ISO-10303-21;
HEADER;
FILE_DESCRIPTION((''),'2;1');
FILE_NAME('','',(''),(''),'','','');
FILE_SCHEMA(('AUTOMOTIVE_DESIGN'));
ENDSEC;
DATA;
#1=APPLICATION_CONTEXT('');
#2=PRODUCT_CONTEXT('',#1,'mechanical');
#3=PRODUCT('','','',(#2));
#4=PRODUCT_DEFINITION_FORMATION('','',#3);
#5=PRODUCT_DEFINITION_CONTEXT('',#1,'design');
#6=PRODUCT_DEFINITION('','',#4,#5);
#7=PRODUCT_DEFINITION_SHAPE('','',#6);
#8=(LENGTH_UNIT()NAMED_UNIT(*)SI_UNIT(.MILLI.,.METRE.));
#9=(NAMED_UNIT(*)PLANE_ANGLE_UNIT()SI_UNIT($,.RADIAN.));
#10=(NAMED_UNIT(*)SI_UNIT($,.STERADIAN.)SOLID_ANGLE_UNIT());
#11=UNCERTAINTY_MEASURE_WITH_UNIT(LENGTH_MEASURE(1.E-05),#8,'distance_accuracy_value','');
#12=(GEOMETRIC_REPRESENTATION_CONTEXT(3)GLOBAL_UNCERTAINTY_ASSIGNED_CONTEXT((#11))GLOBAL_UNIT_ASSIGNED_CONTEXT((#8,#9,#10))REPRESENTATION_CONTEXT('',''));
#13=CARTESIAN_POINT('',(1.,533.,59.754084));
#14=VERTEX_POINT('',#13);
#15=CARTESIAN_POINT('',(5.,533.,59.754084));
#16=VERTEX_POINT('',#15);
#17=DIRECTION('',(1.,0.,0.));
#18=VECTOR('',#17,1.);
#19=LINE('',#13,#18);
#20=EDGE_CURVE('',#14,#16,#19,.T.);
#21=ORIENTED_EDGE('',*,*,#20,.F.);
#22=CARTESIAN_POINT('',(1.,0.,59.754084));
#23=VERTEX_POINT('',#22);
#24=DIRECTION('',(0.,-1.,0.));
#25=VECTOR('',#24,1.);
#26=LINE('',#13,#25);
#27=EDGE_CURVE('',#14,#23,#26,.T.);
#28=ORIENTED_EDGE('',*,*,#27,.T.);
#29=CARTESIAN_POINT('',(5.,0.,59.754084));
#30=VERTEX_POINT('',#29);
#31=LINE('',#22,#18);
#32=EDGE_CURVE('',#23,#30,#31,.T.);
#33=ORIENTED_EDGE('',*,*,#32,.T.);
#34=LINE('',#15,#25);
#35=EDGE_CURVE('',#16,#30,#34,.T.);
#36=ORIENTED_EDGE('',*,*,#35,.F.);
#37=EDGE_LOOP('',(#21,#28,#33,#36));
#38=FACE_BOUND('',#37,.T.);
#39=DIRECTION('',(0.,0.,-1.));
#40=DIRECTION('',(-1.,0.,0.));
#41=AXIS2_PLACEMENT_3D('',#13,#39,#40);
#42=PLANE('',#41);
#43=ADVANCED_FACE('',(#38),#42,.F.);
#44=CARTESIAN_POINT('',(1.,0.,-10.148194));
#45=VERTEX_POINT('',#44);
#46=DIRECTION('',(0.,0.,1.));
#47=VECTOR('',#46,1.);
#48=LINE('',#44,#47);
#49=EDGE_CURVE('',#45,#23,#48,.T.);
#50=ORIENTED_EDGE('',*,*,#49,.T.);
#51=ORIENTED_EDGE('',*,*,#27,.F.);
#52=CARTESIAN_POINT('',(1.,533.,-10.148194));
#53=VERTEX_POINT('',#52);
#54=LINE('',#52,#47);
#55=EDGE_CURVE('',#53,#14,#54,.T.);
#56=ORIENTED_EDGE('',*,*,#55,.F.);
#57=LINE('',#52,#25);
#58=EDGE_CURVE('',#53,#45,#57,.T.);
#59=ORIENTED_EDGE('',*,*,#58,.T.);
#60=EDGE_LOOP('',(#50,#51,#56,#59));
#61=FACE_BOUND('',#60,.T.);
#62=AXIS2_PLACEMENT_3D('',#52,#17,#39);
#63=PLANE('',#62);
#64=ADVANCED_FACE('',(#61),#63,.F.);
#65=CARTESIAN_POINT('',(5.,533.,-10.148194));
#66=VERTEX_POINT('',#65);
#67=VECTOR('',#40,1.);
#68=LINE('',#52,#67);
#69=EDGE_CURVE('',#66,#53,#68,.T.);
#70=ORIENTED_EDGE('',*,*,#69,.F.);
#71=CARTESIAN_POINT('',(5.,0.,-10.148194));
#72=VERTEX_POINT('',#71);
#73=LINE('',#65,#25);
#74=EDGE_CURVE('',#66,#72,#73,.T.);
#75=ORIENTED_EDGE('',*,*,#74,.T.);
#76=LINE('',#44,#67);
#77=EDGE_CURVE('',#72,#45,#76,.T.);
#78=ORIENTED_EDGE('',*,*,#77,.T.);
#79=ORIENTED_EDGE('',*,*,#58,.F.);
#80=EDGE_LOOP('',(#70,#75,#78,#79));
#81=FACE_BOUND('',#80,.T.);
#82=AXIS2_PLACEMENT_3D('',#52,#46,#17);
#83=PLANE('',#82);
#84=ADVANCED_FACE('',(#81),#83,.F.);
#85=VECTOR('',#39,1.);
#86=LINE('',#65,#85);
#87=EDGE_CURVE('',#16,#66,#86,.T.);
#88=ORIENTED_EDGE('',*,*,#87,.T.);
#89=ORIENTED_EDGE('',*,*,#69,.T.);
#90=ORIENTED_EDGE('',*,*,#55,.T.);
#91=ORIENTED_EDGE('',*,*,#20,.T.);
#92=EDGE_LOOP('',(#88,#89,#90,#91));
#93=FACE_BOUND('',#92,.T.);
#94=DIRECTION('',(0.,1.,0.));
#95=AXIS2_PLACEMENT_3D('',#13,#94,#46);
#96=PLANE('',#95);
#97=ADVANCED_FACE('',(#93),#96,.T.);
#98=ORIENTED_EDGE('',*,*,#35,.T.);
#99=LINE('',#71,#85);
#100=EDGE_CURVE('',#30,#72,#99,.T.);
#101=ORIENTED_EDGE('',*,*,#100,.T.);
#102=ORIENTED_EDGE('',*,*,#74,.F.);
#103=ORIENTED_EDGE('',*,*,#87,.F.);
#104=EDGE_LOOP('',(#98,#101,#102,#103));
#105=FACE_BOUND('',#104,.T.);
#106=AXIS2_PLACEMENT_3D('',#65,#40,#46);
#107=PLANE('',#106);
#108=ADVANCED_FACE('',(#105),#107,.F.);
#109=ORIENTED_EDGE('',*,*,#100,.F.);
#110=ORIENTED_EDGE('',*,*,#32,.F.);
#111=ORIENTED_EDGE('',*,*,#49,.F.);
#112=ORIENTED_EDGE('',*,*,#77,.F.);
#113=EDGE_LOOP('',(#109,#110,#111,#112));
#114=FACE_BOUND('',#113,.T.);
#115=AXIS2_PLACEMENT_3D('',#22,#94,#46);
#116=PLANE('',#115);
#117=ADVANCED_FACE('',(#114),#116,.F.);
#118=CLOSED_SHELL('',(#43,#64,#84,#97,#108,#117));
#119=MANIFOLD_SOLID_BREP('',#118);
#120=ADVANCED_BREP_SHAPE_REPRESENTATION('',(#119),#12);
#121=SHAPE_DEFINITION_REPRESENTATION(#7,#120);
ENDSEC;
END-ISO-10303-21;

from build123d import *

# Parameters (mm, degrees)
SKETCH_1_W      = 4
SKETCH_1_H      = 69.902278357
EXTRUDE_1_DEPTH = 533


with BuildPart() as part:
    # Эскиз1 → Вытянуть1 (new body)
    with BuildSketch(Plane(origin=(0, 0, 0), x_dir=(1, 0, 0), z_dir=(0, 1, 0))):
        with Locations((3, -24.802944978)):
            Rectangle(SKETCH_1_W, SKETCH_1_H)
    extrude(amount=EXTRUDE_1_DEPTH)


solid = part.part
